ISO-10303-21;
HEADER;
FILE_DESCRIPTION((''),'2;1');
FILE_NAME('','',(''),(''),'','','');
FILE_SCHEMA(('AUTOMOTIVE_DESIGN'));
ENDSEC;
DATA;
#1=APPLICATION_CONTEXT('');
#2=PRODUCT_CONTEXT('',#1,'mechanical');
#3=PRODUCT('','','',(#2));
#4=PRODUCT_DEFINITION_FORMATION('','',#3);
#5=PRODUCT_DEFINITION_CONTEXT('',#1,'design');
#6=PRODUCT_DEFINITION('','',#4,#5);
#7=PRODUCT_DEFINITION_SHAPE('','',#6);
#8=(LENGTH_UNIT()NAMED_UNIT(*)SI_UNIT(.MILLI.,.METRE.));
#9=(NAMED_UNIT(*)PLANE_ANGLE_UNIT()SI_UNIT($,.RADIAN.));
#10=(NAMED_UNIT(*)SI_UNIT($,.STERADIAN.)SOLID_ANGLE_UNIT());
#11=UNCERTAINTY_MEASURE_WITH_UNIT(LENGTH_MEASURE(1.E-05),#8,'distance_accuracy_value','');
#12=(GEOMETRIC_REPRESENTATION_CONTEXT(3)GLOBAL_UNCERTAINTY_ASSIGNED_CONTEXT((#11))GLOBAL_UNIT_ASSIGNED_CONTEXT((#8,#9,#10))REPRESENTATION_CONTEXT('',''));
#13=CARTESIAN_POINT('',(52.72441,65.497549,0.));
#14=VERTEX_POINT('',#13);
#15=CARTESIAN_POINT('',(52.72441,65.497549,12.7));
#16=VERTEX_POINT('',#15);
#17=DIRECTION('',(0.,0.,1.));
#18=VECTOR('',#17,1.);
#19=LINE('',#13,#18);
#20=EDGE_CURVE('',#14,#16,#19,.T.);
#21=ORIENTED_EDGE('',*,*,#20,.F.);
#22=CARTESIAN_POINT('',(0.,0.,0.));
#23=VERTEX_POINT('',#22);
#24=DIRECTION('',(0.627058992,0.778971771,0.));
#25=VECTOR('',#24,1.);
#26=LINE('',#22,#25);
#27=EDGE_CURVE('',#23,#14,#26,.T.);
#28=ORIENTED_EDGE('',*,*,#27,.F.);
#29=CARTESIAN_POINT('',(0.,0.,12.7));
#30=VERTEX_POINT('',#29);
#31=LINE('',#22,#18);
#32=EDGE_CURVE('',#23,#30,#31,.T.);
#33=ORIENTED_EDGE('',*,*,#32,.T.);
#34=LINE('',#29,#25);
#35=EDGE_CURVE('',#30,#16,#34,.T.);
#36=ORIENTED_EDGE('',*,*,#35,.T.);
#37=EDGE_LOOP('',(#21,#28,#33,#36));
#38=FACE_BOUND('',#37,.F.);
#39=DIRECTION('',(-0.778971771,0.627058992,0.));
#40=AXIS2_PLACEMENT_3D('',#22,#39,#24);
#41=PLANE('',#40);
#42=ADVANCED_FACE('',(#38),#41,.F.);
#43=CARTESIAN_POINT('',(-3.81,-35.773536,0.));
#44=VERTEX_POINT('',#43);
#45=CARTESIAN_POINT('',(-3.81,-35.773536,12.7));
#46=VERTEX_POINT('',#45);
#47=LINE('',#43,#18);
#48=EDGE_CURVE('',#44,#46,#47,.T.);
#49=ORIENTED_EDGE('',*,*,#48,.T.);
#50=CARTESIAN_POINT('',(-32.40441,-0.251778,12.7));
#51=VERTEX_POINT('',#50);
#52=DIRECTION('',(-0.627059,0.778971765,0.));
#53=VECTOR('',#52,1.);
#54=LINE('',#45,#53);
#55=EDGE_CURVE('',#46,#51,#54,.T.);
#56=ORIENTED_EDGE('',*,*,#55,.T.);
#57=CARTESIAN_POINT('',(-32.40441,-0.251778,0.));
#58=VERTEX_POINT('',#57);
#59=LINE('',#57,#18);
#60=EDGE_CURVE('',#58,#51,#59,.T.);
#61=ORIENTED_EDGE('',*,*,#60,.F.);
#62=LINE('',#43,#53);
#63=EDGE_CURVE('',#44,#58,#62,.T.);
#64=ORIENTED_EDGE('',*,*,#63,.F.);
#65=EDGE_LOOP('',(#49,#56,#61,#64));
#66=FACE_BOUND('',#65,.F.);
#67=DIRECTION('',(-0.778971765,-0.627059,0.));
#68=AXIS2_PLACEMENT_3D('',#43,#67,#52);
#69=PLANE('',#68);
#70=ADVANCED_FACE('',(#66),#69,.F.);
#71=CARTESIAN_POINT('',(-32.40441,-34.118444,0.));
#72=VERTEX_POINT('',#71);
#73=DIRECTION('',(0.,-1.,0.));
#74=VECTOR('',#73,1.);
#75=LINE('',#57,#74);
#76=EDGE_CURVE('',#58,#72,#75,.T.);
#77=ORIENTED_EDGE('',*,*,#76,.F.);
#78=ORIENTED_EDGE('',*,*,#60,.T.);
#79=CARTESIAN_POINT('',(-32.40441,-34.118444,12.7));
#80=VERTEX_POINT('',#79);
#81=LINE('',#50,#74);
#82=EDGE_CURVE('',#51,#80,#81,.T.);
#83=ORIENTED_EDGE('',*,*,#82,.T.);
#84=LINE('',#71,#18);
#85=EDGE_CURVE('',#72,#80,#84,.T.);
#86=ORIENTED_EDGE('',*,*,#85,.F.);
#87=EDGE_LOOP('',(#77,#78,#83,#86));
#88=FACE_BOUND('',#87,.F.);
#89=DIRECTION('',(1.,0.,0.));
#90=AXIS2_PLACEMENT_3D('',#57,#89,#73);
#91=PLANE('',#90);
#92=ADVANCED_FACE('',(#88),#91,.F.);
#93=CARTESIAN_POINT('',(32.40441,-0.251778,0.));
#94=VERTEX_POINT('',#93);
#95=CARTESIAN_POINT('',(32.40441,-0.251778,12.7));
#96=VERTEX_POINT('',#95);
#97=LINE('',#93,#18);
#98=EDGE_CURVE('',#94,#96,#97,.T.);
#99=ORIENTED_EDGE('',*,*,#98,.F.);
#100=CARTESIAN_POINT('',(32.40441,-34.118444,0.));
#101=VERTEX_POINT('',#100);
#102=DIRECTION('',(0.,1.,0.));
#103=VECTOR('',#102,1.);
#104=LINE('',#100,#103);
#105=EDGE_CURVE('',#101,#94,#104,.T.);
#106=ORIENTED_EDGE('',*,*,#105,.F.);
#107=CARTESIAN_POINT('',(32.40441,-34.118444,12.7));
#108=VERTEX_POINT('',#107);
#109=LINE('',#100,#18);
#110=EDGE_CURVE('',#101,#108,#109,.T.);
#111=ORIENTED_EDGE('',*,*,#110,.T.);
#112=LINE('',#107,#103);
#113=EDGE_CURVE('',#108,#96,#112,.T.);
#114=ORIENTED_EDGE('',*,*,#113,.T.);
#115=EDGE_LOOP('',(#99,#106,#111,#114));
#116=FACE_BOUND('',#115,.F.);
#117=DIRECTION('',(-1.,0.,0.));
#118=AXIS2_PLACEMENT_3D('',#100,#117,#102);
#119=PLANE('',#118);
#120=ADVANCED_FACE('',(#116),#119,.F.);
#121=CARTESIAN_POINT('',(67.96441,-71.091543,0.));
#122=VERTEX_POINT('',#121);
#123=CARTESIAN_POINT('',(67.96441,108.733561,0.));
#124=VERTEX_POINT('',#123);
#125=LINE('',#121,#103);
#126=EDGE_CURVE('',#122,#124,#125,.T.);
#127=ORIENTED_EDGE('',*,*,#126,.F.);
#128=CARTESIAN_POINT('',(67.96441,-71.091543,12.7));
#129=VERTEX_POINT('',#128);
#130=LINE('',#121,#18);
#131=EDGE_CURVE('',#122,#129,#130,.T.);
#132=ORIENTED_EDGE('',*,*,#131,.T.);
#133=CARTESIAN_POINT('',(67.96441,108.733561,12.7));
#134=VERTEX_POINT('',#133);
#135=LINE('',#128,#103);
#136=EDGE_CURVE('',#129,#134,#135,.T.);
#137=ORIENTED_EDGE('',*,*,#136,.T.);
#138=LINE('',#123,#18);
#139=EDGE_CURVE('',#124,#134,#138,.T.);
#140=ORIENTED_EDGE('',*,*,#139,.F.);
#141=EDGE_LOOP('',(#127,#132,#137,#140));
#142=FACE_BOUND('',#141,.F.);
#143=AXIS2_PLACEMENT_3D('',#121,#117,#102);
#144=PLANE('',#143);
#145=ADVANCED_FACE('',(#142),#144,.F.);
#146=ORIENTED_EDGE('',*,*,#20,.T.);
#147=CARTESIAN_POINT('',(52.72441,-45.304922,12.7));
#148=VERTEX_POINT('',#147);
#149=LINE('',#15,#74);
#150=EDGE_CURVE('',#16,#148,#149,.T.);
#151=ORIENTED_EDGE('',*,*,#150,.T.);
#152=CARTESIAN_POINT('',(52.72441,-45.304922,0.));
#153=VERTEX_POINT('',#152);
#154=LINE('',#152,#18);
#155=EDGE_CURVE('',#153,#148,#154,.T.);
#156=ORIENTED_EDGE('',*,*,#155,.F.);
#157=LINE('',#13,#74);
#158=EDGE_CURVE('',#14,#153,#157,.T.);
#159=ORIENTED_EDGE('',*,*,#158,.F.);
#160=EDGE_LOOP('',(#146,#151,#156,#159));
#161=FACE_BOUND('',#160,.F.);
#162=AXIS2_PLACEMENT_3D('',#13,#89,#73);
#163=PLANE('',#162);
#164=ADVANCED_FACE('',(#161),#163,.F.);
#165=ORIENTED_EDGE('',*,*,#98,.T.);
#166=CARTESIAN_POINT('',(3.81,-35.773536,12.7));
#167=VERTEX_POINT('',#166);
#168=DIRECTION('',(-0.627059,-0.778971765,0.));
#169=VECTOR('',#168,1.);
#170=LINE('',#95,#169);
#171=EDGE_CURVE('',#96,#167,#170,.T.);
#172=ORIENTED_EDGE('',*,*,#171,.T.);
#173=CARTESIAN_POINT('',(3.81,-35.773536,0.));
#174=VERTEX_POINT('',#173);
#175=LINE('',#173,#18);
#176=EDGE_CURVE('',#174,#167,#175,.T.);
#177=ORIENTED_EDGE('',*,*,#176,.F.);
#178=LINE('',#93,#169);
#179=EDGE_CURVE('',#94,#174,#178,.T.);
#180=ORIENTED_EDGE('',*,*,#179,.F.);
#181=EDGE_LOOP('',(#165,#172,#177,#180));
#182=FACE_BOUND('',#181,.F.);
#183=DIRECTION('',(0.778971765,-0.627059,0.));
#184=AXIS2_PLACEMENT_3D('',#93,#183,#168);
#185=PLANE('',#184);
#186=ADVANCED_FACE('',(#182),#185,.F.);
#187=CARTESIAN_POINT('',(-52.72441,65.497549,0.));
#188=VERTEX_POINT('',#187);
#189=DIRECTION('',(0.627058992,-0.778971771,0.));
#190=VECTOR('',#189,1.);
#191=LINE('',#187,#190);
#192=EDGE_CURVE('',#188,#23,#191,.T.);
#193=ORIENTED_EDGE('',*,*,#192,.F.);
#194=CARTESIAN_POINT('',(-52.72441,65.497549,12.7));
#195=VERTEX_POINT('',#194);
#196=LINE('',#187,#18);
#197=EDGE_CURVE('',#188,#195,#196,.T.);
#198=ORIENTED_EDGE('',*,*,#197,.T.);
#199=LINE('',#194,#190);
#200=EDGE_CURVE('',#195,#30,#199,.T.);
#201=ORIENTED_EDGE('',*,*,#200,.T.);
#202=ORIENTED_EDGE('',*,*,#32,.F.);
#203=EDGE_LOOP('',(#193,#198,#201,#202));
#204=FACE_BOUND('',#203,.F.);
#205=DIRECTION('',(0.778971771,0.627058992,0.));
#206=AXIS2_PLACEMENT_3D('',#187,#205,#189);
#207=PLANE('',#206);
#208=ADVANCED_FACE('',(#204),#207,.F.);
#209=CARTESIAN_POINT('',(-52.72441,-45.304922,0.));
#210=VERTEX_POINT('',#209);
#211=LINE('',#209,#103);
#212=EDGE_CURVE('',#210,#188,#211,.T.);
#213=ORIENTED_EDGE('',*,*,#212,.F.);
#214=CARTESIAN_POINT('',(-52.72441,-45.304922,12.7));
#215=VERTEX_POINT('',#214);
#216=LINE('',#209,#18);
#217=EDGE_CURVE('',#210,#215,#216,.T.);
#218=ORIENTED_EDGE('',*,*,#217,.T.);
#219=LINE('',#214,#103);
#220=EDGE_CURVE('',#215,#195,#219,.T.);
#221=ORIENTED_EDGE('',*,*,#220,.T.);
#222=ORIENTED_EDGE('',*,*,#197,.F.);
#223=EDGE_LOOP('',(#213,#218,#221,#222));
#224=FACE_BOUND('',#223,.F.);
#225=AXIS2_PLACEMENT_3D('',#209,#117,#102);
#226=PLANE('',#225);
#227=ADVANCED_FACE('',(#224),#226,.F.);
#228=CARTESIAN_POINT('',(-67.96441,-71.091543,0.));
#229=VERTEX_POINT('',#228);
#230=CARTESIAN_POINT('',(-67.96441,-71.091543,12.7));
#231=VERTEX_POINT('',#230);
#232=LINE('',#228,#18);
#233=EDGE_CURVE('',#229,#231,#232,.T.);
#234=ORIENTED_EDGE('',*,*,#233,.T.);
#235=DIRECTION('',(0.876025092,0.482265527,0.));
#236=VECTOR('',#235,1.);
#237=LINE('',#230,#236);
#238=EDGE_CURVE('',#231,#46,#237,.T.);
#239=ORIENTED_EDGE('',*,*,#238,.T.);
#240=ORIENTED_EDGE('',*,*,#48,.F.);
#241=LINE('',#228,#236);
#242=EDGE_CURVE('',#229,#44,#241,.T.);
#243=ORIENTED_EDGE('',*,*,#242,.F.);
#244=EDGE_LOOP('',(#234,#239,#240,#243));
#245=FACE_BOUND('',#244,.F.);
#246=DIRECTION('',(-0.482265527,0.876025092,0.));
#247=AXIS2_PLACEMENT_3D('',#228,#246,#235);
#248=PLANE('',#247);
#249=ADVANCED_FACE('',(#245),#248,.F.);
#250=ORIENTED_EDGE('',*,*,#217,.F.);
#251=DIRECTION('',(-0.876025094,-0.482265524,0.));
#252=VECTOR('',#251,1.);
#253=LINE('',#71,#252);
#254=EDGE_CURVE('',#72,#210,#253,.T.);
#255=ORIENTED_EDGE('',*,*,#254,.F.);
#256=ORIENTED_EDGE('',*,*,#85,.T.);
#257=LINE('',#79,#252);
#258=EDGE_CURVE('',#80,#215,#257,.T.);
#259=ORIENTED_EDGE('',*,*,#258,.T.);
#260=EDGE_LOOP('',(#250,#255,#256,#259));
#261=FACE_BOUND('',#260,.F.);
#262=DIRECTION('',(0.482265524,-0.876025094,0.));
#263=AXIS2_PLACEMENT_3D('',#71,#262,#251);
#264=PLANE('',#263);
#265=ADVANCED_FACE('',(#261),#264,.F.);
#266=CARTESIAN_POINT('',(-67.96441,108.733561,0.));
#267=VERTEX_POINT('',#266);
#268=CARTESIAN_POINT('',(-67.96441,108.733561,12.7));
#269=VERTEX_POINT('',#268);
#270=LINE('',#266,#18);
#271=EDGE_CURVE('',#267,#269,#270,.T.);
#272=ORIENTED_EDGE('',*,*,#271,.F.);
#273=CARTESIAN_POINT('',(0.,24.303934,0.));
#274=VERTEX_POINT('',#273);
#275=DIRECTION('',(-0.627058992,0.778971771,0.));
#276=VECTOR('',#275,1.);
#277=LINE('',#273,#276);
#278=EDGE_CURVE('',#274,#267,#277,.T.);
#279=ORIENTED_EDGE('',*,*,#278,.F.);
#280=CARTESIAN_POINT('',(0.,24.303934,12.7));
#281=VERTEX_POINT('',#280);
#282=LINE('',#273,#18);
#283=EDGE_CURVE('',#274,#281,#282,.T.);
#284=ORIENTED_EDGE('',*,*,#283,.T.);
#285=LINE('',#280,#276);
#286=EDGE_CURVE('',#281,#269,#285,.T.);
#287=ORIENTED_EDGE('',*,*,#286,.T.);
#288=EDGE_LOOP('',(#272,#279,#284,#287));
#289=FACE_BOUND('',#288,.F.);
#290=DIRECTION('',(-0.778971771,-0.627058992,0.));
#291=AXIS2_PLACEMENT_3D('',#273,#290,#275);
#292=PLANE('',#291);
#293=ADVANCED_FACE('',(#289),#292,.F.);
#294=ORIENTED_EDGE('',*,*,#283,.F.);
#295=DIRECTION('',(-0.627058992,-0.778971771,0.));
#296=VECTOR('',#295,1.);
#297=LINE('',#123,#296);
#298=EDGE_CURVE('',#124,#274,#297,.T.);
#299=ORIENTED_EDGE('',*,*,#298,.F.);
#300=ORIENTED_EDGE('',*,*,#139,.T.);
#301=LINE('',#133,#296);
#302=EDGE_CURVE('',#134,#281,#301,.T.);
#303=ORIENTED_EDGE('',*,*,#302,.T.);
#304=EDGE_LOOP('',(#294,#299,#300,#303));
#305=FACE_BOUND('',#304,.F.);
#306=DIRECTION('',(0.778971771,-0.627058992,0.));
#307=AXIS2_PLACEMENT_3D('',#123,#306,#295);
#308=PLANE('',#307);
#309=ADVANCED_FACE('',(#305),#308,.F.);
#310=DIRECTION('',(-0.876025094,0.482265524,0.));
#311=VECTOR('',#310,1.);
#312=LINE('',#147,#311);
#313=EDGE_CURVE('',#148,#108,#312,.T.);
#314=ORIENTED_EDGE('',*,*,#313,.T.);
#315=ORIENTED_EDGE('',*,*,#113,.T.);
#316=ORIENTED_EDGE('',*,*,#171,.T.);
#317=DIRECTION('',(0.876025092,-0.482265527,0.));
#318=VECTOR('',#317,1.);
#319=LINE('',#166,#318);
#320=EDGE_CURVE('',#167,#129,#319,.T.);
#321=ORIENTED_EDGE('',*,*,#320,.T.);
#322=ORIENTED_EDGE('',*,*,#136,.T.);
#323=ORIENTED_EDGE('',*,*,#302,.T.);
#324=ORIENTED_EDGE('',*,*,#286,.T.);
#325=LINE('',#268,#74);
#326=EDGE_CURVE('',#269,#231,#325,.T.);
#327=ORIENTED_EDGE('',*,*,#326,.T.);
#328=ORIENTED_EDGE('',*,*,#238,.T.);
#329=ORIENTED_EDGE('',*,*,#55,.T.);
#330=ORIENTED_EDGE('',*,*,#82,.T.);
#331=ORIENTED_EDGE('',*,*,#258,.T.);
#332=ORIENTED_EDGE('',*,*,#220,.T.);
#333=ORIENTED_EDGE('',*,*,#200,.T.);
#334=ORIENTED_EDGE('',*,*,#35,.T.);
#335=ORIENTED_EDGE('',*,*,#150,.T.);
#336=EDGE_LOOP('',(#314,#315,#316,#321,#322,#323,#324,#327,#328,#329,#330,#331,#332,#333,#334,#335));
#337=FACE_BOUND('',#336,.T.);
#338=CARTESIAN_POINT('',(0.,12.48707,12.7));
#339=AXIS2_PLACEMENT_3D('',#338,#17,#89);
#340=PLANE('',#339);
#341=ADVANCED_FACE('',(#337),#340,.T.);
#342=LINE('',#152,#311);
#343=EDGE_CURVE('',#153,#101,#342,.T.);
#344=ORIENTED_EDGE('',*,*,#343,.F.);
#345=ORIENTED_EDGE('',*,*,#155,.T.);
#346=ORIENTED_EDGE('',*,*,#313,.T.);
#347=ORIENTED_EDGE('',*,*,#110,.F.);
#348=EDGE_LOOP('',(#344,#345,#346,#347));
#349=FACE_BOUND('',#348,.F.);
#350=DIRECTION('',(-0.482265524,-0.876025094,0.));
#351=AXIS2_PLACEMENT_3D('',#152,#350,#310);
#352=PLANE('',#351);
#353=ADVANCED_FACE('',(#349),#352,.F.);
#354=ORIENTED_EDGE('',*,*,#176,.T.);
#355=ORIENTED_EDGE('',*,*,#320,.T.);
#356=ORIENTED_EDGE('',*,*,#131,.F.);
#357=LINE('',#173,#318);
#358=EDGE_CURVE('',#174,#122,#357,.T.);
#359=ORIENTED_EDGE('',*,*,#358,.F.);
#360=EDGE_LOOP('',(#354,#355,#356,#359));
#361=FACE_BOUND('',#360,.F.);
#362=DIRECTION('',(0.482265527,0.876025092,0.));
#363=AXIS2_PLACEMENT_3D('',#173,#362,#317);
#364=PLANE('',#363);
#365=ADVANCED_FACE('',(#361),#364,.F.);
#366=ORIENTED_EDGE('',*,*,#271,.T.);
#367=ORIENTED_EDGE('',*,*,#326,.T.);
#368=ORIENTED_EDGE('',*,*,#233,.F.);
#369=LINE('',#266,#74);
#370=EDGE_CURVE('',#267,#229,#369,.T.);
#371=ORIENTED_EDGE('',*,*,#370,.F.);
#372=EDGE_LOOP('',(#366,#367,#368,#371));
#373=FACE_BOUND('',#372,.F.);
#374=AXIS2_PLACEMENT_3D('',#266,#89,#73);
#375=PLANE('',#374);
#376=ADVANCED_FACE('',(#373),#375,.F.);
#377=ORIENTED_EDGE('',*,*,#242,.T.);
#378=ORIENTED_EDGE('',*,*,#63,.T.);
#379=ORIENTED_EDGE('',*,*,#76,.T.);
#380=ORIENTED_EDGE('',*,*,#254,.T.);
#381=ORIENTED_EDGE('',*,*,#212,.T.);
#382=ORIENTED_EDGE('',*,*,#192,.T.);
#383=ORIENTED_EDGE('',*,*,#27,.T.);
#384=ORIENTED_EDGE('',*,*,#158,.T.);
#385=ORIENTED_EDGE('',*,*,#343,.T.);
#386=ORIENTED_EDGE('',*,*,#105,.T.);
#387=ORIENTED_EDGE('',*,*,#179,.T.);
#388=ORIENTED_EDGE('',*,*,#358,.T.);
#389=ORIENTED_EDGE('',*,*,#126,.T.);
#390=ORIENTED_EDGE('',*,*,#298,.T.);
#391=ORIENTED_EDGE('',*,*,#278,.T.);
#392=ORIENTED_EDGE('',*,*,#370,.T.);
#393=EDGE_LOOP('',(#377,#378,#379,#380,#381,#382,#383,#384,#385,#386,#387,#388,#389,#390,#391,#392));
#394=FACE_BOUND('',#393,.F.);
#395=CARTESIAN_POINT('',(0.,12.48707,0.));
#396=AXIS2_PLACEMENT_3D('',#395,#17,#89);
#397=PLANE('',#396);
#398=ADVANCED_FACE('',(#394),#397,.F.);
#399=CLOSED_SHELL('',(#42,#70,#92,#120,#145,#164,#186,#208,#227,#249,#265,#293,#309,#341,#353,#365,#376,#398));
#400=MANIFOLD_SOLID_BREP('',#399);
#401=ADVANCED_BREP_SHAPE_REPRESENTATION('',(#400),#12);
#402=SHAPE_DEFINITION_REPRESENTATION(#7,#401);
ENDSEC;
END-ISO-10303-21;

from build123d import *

# Parameters (mm, degrees)
F1_DEPTH = 12.7


with BuildPart() as f1:
    # F0 (on Top) → F1 (new body)
    with BuildSketch(Plane.XY):
        Polygon((-32.40441, -0.251778), (-32.40441, -34.118444), (-52.72441, -45.304922), (-52.72441, 65.497549), (0, 0), (52.72441, 65.497549), (52.72441, -45.304922), (32.40441, -34.118444), (32.40441, -0.251778), (3.81, -35.773536), (67.96441, -71.091543), (67.96441, 108.733561), (0, 24.303934), (-67.96441, 108.733561), (-67.96441, -71.091543), (-3.81, -35.773536), align=None)
    extrude(amount=F1_DEPTH)


solid = f1.part
